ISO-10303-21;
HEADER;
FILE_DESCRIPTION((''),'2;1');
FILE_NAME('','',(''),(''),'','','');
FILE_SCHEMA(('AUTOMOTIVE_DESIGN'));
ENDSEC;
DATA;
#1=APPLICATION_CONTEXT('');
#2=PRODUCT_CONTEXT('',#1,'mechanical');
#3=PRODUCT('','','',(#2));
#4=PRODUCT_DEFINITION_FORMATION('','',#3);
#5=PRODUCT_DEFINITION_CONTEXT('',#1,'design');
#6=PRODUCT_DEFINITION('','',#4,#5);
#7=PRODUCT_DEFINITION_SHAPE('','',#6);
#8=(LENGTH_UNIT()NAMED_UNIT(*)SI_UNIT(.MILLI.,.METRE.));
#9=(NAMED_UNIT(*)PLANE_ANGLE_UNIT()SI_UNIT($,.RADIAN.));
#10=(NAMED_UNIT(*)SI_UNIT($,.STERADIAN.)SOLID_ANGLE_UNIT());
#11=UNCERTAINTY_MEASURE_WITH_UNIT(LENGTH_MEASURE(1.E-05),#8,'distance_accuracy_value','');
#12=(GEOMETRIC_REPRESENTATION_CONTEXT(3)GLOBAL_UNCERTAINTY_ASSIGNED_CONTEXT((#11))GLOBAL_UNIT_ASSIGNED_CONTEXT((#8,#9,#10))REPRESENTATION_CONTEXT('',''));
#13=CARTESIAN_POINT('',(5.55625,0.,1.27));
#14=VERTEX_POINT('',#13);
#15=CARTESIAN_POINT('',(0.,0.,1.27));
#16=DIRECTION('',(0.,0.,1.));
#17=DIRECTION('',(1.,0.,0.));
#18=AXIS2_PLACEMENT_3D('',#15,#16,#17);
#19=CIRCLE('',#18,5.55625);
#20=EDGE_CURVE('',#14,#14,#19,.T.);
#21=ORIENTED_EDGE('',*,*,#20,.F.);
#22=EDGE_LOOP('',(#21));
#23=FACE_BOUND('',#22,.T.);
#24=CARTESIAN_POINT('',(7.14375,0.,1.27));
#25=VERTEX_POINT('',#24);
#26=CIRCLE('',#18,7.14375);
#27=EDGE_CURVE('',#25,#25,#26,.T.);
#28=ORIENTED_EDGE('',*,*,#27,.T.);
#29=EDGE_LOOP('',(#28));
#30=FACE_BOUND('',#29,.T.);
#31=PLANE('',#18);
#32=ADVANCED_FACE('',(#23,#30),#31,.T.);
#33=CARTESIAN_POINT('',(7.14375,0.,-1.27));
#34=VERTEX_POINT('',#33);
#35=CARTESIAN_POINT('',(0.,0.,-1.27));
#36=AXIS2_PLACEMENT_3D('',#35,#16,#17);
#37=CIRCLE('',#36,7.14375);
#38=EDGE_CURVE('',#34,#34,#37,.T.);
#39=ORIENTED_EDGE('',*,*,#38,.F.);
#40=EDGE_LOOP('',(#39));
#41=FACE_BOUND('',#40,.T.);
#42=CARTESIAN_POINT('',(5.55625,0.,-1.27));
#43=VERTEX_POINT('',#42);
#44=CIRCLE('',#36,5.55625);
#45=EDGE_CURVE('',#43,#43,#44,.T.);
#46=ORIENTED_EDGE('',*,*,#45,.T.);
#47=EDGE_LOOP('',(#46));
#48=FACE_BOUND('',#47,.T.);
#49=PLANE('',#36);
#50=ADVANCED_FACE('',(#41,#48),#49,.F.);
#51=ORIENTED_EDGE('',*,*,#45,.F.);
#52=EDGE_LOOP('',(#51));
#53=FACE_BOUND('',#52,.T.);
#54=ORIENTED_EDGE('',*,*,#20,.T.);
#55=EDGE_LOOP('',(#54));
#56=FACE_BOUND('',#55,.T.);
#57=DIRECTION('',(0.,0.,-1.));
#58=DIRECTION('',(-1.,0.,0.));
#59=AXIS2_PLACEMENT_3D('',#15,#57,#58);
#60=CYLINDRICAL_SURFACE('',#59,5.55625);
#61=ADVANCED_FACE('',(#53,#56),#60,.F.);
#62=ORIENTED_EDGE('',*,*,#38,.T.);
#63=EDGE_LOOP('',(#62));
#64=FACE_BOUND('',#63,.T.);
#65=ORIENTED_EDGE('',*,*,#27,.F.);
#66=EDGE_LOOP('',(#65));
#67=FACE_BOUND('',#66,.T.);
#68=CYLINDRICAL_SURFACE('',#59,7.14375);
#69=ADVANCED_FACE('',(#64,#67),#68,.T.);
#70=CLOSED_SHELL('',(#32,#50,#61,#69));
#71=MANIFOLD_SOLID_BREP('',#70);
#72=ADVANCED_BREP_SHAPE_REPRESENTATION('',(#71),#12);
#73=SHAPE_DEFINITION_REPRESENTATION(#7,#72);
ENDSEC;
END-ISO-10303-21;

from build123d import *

# Parameters (mm, degrees)
SKETCH1_R           = 7.14375
SKETCH1_R_2         = 5.55625
BOSS_EXTRUDE1_DEPTH = 1.27


with BuildPart() as part:
    # Sketch1 → Boss-Extrude1 (new, symmetric)
    with BuildSketch(Plane.XY):
        Circle(SKETCH1_R)
        Circle(SKETCH1_R_2, mode=Mode.SUBTRACT)
    extrude(amount=BOSS_EXTRUDE1_DEPTH, both=True)


solid = part.part
